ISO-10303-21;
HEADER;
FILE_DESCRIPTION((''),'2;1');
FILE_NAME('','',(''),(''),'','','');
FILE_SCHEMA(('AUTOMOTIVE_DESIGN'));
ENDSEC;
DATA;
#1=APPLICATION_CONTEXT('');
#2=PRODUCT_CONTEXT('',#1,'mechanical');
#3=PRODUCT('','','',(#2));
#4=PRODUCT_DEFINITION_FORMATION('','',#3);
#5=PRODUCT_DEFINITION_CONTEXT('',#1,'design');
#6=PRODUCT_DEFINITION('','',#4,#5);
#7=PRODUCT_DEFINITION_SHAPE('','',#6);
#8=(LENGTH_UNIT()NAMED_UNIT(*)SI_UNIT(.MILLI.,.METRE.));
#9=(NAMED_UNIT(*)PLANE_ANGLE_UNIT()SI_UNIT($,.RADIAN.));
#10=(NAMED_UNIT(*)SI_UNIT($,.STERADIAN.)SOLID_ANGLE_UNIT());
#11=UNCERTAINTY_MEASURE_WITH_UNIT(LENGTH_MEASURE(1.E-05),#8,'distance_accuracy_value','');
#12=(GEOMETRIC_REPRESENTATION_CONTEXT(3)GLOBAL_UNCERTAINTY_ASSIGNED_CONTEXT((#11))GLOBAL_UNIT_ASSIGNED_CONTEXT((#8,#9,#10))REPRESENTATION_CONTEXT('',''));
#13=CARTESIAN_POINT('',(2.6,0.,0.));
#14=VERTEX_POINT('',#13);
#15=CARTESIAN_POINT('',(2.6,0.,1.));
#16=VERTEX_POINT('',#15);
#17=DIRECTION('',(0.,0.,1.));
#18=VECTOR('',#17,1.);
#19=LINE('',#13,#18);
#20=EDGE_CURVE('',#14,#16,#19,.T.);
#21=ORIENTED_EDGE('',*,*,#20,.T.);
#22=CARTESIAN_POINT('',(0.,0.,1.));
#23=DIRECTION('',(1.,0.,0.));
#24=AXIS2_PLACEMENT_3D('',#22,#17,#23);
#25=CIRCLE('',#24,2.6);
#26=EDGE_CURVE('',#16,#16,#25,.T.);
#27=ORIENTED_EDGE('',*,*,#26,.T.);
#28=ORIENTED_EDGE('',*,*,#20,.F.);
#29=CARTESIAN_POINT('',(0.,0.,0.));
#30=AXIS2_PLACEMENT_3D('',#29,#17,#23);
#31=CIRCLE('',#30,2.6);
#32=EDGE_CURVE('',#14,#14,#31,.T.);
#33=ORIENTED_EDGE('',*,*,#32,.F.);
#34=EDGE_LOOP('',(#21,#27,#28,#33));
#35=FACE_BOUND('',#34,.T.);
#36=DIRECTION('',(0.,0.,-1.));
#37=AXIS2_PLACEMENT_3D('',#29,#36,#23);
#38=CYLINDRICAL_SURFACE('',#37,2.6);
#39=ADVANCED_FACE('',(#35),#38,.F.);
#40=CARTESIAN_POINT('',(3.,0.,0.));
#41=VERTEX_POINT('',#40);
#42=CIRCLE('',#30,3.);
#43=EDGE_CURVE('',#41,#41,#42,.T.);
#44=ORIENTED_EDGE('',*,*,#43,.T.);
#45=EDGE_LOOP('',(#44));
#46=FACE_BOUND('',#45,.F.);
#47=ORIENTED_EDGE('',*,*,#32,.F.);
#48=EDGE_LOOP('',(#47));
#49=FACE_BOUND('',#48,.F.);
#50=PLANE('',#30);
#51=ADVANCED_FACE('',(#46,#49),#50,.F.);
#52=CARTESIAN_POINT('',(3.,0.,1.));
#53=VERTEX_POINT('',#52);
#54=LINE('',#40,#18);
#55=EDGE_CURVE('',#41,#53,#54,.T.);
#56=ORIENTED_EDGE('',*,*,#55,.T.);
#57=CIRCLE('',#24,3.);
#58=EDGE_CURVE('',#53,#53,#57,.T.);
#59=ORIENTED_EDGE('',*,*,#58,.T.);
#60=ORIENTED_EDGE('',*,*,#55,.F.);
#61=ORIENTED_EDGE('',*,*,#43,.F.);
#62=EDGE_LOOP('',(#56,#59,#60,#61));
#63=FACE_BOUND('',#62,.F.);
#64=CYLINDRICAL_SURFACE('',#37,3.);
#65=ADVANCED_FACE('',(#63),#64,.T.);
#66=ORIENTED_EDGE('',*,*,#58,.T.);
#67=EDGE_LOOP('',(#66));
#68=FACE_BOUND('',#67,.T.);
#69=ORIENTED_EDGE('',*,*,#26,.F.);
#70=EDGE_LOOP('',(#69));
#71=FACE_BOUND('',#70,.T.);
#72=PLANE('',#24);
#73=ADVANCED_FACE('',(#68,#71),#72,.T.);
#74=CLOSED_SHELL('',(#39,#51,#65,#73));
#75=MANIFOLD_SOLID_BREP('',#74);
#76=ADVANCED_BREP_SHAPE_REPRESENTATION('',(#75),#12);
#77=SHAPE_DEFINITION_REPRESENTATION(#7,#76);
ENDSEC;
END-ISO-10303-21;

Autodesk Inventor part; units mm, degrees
ref_plane "YZ Plane" through (0, 0, 0) normal (1, 0, 0) x (0, 1, 0)
ref_plane "XZ Plane" through (0, 0, 0) normal (0, 1, 0) x (-1, 0, 0)
ref_plane "XY Plane" through (0, 0, 0) normal (0, 0, 1) x (1, 0, 0)
sketch "Sketch1" plane through (0, 0, 0) normal (0, 0, 1) x (1, 0, 0)
  circle A0 centre (0, 0) radius 2.6
  circle A1 centre (0, 0) radius 3
  dimension "d0" = 5.2
  dimension "d4" = 6
extrude "Extrusion1" add sketch "Sketch1" along normal blind 1
properties part number "Washer"
